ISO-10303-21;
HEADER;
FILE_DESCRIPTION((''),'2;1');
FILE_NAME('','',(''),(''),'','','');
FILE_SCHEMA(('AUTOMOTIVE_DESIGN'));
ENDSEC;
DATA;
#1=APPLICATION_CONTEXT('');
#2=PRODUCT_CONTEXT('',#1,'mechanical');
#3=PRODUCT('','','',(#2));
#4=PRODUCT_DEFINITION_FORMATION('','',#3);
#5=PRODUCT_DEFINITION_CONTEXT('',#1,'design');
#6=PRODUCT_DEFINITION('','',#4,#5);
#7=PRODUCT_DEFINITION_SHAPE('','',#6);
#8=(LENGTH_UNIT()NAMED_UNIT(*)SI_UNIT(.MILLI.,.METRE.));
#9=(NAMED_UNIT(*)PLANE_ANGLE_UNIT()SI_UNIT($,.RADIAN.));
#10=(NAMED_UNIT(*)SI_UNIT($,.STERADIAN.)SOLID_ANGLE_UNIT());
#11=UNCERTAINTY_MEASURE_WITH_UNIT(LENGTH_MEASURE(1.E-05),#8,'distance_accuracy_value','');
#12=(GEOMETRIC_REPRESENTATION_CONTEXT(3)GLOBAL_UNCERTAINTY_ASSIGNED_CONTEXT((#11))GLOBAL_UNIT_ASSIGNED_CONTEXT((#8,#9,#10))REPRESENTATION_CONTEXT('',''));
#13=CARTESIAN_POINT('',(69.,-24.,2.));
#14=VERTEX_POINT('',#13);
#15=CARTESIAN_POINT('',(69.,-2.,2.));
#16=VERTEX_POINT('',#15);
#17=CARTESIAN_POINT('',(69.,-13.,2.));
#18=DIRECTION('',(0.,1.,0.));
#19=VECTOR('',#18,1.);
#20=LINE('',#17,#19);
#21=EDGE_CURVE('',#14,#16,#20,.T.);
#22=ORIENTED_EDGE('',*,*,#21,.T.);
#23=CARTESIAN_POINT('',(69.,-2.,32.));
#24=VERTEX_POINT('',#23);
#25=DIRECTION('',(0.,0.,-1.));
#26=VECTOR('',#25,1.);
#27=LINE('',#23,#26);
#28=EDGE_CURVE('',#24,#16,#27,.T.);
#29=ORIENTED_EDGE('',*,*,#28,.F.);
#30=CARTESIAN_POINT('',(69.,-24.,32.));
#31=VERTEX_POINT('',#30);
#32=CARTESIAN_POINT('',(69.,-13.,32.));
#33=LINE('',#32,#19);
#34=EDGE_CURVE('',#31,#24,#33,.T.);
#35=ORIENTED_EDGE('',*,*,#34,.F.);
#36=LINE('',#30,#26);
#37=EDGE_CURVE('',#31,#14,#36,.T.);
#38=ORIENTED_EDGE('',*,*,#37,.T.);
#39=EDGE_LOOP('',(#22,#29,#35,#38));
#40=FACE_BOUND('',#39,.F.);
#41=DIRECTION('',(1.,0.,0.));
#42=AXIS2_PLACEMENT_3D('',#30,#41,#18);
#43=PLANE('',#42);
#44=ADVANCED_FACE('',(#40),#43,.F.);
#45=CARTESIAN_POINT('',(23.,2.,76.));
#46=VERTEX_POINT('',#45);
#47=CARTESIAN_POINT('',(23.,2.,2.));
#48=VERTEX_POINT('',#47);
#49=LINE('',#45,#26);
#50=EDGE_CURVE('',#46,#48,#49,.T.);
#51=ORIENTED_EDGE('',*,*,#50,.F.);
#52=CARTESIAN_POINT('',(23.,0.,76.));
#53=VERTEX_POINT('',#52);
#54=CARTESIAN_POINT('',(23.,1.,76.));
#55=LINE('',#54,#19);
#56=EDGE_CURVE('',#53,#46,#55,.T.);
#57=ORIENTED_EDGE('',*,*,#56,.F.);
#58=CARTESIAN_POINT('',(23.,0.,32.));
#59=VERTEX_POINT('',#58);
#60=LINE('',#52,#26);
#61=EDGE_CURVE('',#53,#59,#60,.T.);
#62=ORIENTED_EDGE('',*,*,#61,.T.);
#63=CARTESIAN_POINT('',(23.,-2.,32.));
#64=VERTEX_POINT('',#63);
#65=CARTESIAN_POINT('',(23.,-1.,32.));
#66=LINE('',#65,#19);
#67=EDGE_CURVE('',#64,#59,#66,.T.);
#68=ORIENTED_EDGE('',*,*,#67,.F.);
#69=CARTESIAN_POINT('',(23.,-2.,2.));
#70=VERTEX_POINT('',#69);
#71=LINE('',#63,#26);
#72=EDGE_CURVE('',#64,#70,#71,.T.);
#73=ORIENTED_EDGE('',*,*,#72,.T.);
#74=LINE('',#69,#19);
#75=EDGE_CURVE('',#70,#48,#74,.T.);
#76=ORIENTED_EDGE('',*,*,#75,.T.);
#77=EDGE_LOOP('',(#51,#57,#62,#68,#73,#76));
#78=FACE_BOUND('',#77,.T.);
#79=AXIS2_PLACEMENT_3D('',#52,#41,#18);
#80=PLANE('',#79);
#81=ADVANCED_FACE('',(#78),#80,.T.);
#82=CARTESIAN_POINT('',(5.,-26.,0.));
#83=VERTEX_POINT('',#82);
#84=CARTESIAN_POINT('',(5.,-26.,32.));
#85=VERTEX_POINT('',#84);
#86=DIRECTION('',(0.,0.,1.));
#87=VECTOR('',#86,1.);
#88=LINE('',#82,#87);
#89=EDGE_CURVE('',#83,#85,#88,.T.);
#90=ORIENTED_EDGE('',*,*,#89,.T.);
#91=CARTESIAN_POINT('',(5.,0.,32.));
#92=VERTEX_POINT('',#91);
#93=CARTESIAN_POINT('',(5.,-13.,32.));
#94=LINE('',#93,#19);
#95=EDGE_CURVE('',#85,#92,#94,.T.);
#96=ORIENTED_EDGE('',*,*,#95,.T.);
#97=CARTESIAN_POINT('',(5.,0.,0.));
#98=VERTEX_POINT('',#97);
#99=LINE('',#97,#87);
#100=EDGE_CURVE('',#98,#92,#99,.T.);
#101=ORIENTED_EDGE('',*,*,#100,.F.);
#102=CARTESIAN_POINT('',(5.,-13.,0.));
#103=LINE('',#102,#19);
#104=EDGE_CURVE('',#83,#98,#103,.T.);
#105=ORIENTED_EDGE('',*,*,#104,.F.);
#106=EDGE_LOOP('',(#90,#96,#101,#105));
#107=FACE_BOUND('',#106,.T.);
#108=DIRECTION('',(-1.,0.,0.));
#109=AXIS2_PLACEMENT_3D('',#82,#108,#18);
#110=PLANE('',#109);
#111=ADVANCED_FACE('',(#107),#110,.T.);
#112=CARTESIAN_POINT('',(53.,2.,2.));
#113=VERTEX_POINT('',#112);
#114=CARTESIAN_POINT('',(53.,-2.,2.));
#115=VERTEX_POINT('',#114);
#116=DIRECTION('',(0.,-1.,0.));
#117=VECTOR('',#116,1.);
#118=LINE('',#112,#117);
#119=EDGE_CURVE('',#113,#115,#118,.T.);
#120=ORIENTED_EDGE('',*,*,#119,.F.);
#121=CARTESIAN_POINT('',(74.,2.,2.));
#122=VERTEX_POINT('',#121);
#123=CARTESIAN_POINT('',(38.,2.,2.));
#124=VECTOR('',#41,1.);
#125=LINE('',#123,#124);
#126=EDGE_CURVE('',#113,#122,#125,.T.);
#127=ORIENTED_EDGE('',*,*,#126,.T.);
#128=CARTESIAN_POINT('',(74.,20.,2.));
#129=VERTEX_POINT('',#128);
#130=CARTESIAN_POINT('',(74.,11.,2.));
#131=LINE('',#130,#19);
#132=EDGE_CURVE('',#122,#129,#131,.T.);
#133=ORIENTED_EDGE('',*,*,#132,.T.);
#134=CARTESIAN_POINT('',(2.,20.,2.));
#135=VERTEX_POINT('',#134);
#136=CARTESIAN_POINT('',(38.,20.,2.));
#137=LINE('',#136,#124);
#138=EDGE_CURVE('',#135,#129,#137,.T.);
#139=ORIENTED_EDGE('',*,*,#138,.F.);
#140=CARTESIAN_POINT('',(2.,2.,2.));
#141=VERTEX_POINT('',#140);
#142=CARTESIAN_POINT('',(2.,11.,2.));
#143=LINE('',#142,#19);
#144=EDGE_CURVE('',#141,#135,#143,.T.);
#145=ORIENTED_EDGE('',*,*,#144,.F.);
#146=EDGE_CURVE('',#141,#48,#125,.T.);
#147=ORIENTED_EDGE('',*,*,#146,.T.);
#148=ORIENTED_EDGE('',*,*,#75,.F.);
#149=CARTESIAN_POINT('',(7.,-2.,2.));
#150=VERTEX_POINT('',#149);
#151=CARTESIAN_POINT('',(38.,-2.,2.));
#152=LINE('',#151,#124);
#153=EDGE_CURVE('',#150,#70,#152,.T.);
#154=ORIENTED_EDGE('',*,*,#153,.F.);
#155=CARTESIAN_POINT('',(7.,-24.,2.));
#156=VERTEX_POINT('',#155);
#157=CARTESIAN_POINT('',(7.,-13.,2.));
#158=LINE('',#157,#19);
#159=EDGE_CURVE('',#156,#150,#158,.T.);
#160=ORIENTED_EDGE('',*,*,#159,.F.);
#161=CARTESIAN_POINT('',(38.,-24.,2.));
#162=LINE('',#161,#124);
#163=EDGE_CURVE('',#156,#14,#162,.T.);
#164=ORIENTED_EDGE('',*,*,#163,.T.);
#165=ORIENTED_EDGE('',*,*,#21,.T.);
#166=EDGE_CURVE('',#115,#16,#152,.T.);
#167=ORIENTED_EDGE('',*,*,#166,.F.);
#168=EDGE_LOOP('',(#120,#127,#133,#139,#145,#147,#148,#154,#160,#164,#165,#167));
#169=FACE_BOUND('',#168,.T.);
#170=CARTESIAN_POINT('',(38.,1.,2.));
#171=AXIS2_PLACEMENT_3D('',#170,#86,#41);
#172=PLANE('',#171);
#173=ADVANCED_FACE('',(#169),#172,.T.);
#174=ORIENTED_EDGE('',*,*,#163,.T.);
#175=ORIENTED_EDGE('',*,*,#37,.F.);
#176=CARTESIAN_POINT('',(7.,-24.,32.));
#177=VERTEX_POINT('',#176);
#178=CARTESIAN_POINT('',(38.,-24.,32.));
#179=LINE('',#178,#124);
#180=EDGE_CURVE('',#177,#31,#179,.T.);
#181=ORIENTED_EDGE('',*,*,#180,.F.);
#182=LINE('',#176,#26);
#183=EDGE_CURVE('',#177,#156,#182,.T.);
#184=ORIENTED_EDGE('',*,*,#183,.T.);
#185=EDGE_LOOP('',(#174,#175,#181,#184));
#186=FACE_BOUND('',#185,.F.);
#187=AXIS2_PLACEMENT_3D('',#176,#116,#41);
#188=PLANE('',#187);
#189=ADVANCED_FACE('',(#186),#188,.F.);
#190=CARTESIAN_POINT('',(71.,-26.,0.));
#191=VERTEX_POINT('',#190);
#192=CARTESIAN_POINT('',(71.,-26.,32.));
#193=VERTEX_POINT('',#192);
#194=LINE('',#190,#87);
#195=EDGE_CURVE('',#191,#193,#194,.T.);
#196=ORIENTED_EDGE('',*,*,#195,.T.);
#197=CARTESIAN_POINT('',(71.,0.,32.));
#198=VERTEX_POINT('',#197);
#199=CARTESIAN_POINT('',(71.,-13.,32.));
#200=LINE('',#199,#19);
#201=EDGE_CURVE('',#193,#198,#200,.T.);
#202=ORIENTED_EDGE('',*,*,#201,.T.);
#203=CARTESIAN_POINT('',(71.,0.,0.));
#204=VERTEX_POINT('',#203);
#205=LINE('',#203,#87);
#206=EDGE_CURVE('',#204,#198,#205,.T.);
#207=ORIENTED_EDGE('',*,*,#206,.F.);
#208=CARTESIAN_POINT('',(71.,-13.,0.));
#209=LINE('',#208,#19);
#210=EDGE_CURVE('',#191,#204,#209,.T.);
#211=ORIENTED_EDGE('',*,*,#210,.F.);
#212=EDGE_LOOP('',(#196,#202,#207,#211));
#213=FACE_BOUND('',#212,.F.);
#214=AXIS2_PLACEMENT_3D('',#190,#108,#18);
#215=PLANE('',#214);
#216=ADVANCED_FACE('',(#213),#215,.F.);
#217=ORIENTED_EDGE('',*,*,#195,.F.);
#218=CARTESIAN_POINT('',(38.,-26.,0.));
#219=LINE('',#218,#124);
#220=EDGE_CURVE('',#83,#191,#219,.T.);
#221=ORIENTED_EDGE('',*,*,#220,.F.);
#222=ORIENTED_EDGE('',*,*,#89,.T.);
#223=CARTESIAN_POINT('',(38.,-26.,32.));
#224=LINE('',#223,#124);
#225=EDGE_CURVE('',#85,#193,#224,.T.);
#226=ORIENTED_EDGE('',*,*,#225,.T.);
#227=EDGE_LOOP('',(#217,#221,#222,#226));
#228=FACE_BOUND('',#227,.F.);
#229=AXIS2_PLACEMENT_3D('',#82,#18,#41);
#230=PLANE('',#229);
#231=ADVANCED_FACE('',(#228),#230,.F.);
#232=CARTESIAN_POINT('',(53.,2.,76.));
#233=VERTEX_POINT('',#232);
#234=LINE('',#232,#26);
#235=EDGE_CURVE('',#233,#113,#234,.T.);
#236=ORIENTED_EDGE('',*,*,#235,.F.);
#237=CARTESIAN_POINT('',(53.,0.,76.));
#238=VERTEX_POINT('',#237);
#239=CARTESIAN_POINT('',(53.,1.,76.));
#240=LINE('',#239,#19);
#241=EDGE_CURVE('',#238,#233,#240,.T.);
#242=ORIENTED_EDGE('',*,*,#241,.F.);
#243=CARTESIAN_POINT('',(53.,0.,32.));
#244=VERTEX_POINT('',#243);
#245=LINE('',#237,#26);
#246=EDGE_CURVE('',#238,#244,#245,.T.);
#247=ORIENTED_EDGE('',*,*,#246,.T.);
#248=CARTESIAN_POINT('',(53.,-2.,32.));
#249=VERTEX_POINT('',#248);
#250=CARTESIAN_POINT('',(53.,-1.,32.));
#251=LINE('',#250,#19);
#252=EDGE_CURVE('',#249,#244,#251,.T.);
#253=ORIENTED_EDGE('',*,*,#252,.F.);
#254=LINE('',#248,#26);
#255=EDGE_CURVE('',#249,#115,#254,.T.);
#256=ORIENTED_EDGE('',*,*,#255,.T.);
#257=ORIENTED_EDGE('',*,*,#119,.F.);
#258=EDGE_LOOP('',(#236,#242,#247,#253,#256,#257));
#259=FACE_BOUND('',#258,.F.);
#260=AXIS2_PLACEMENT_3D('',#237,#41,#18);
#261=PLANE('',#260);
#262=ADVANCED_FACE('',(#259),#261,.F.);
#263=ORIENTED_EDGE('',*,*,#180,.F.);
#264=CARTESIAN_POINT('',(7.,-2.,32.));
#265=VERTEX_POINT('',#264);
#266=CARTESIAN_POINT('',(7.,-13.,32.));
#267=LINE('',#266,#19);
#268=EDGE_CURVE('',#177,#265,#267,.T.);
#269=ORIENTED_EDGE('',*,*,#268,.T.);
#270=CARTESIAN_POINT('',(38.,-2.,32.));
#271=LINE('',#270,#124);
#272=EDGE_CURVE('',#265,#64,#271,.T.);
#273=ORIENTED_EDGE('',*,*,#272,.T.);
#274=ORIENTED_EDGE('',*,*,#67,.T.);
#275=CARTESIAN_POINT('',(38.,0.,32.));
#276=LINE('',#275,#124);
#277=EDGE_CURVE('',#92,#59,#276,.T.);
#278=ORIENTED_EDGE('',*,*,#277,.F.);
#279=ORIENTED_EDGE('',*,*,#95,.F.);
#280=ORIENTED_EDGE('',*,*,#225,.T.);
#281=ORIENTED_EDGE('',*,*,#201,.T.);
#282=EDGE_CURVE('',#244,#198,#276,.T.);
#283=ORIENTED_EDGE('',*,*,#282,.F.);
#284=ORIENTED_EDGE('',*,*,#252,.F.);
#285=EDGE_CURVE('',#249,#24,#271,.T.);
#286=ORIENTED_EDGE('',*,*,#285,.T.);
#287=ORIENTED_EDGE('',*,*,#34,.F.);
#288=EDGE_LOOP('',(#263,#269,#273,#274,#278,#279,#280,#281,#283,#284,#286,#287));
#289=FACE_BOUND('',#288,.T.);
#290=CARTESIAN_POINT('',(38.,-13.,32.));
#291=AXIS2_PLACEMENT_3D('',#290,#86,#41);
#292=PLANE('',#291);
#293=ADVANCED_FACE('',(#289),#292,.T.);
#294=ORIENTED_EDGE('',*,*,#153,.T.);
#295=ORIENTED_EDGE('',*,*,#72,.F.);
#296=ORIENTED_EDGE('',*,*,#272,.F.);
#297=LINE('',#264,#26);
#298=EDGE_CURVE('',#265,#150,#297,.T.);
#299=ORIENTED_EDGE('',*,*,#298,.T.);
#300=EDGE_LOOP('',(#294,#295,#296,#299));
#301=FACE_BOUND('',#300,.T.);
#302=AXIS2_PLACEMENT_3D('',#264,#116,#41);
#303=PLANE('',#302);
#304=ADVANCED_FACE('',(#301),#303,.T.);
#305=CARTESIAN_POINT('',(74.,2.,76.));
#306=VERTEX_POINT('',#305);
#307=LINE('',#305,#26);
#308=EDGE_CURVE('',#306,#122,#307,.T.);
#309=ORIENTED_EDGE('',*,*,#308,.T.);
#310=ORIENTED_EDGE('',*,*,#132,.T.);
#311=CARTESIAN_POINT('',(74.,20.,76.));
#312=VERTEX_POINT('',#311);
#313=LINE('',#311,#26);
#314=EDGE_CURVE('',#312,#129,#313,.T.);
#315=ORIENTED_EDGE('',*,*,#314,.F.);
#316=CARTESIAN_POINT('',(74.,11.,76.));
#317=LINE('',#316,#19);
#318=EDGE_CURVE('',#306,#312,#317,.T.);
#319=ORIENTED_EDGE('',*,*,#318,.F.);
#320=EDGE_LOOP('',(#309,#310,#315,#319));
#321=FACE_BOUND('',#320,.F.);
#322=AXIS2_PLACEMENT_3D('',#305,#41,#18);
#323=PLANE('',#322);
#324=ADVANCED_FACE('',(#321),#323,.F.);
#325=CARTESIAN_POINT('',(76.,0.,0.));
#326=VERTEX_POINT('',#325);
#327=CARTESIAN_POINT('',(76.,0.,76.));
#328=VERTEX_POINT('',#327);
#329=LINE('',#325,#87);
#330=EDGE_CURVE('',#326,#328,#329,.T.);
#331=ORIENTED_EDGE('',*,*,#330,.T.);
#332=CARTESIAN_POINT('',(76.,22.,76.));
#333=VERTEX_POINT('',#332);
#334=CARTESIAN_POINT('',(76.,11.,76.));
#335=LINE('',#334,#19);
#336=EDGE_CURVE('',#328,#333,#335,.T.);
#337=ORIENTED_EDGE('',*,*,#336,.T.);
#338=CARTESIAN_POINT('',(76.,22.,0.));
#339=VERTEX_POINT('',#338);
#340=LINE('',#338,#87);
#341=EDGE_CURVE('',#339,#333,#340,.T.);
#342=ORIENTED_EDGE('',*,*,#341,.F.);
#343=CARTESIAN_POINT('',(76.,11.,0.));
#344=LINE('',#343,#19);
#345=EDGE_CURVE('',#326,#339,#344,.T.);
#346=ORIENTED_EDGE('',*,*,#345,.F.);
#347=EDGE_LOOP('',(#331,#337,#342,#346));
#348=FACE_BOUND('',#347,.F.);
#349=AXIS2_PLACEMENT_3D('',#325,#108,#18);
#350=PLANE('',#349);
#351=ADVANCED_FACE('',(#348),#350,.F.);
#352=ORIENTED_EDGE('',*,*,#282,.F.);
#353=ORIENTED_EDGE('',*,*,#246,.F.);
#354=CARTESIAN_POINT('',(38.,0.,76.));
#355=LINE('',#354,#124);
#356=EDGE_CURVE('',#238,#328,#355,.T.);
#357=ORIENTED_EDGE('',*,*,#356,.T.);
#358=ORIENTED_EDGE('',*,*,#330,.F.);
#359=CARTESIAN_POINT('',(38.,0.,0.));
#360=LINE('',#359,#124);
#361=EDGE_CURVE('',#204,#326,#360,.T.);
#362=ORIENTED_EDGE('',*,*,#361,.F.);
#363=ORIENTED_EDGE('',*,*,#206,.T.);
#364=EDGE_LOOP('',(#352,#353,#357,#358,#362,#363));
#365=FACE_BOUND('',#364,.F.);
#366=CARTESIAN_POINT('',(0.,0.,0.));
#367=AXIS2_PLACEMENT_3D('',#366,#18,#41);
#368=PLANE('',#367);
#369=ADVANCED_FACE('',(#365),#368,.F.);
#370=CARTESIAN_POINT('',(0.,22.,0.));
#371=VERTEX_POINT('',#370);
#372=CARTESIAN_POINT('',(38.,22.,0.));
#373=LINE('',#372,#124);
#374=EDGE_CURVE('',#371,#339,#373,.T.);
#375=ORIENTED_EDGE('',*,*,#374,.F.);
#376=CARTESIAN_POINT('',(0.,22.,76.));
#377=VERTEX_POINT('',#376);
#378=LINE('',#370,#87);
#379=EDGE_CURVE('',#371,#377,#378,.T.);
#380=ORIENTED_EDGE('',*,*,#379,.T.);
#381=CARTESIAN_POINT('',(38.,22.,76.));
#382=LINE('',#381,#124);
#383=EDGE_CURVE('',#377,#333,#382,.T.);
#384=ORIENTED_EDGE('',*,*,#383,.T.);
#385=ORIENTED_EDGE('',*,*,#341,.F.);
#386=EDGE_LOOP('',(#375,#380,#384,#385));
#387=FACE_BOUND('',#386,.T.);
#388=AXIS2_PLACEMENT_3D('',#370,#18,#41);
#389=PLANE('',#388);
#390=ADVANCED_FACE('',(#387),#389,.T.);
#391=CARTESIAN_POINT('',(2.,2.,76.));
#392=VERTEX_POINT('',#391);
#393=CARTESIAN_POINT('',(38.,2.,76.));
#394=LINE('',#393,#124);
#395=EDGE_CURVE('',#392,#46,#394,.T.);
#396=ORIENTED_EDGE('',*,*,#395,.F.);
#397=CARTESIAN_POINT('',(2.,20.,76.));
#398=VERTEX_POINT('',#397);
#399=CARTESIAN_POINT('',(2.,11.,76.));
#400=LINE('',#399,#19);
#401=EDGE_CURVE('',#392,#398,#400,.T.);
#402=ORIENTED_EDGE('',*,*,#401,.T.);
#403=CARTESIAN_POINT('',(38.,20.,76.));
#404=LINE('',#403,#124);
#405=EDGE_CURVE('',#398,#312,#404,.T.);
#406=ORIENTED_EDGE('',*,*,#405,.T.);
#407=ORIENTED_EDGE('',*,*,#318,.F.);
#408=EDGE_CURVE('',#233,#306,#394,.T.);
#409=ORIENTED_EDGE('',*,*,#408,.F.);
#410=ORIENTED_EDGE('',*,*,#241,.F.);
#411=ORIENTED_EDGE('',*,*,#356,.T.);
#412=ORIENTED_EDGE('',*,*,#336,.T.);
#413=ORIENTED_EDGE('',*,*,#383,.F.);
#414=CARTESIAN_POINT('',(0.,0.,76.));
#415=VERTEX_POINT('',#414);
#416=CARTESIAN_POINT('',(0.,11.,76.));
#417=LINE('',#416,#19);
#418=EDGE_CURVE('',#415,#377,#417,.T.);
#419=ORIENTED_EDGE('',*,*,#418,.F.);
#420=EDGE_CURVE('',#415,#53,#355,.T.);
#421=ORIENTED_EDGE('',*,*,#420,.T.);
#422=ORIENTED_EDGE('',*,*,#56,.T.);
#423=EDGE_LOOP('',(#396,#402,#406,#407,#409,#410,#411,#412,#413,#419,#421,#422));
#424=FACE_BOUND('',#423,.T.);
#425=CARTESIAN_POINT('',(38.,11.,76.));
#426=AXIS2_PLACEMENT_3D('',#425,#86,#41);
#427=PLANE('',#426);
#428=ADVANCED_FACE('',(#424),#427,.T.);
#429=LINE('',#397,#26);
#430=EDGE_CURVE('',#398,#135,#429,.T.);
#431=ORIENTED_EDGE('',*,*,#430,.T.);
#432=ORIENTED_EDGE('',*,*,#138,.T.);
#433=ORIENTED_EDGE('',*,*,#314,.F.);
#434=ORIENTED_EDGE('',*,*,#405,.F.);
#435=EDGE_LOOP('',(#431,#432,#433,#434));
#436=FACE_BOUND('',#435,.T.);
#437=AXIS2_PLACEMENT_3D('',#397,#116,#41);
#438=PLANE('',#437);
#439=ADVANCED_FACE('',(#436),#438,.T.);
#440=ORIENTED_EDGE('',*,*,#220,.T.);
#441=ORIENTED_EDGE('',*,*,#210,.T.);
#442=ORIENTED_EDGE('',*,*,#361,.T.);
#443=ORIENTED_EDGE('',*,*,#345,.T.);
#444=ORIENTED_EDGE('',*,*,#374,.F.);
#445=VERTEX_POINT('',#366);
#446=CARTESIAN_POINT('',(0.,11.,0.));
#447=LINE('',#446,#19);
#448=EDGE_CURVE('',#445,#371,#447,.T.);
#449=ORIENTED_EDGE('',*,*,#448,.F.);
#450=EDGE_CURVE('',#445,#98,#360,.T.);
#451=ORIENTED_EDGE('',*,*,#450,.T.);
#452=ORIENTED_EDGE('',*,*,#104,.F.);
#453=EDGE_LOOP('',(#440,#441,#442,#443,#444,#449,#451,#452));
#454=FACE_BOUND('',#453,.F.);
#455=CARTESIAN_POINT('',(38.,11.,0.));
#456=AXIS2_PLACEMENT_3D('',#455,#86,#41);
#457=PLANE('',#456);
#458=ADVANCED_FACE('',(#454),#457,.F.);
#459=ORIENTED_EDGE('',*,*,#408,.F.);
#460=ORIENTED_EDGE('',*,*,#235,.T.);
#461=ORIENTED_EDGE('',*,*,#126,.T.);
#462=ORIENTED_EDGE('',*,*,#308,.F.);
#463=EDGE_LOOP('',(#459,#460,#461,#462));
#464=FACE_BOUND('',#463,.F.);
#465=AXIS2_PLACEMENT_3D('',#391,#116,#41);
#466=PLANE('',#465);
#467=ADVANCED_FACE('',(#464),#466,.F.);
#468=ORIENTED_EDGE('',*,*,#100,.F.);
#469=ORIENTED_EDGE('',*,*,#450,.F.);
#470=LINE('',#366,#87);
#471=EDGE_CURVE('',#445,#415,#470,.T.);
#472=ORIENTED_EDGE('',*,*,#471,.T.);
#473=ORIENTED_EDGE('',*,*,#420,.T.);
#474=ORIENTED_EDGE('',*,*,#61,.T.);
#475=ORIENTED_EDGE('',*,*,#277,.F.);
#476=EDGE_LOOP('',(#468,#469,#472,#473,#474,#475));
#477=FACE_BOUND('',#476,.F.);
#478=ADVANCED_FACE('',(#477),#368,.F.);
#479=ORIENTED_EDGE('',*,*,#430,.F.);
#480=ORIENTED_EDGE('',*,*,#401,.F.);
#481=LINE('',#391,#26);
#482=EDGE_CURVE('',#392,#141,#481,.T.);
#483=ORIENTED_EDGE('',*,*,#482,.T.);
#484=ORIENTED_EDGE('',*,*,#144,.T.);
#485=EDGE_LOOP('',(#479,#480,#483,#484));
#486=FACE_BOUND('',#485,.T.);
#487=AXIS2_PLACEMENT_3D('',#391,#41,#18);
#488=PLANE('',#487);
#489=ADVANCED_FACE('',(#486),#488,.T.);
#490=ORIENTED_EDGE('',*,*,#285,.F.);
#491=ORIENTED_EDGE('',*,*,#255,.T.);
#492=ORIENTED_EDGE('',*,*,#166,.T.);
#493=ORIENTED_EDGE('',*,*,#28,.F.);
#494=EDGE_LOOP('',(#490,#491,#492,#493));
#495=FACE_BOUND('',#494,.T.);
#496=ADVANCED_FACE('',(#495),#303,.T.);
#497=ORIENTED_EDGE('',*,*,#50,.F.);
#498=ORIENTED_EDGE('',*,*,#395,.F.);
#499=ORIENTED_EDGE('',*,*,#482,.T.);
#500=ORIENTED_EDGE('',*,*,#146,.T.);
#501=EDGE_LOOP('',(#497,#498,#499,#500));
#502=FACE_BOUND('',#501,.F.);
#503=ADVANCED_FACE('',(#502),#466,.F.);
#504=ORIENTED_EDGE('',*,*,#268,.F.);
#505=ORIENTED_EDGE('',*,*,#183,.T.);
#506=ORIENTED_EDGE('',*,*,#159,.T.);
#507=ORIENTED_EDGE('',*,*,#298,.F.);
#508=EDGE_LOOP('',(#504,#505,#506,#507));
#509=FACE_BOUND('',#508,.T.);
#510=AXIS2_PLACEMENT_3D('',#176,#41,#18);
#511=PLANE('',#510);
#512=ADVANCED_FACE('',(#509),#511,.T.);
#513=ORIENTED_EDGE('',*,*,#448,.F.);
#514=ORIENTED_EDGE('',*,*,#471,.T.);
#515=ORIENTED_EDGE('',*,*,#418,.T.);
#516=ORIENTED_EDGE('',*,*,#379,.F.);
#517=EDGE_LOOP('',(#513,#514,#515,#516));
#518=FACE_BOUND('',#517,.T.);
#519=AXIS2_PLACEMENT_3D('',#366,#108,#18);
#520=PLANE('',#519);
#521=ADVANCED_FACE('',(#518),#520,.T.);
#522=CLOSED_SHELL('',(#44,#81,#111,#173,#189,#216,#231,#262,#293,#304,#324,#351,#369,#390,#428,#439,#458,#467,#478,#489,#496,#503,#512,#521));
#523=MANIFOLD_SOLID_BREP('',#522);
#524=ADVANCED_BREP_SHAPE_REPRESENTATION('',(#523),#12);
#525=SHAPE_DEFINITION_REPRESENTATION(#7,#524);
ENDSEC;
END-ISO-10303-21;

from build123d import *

# Parameters (mm, degrees)
SKETCH_W        = 76
SKETCH_H        = 22
PAD_DEPTH       = 76
SKETCH001_W     = 66
SKETCH001_H     = 26
PAD001_DEPTH    = 32
SKETCH002_W     = 62
SKETCH002_H     = 22
POCKET_DEPTH    = 30
SKETCH003_W     = 72
SKETCH003_H     = 18
POCKET001_DEPTH = 74
SKETCH004_W     = 30
SKETCH004_H     = 2
POCKET002_DEPTH = 30
SKETCH005_W     = 30
SKETCH005_H     = 2
POCKET003_DEPTH = 74


with BuildPart() as part:
    # Sketch → Pad (new body)
    with BuildSketch(Plane.XY):
        with Locations((38, 11)):
            Rectangle(SKETCH_W, SKETCH_H)
    extrude(amount=PAD_DEPTH)

    # Sketch001 → Pad001 (join)
    with BuildSketch(Plane.XY):
        with Locations((38, -13)):
            Rectangle(SKETCH001_W, SKETCH001_H)
    extrude(amount=PAD001_DEPTH)

    # Sketch002 (on Face4 of Pad001) → Pocket (cut)
    with BuildSketch(Plane.XY.offset(32)):
        with Locations((38, -13)):
            Rectangle(SKETCH002_W, SKETCH002_H)
    extrude(amount=-POCKET_DEPTH, mode=Mode.SUBTRACT)

    # Sketch003 (on Face7 of Pocket) → Pocket001 (cut)
    with BuildSketch(Plane.XY.offset(76)):
        with Locations((38, 11)):
            Rectangle(SKETCH003_W, SKETCH003_H)
    extrude(amount=-POCKET001_DEPTH, mode=Mode.SUBTRACT)

    # Sketch004 (on Face4 of Pocket001) → Pocket002 (cut)
    with BuildSketch(Plane.XY.offset(32)):
        with Locations((38, -1)):
            Rectangle(SKETCH004_W, SKETCH004_H)
    extrude(amount=-POCKET002_DEPTH, mode=Mode.SUBTRACT)

    # Sketch005 (on Face8 of Pocket002) → Pocket003 (cut)
    with BuildSketch(Plane.XY.offset(76)):
        with Locations((38, 1)):
            Rectangle(SKETCH005_W, SKETCH005_H)
    extrude(amount=-POCKET003_DEPTH, mode=Mode.SUBTRACT)


solid = part.part
